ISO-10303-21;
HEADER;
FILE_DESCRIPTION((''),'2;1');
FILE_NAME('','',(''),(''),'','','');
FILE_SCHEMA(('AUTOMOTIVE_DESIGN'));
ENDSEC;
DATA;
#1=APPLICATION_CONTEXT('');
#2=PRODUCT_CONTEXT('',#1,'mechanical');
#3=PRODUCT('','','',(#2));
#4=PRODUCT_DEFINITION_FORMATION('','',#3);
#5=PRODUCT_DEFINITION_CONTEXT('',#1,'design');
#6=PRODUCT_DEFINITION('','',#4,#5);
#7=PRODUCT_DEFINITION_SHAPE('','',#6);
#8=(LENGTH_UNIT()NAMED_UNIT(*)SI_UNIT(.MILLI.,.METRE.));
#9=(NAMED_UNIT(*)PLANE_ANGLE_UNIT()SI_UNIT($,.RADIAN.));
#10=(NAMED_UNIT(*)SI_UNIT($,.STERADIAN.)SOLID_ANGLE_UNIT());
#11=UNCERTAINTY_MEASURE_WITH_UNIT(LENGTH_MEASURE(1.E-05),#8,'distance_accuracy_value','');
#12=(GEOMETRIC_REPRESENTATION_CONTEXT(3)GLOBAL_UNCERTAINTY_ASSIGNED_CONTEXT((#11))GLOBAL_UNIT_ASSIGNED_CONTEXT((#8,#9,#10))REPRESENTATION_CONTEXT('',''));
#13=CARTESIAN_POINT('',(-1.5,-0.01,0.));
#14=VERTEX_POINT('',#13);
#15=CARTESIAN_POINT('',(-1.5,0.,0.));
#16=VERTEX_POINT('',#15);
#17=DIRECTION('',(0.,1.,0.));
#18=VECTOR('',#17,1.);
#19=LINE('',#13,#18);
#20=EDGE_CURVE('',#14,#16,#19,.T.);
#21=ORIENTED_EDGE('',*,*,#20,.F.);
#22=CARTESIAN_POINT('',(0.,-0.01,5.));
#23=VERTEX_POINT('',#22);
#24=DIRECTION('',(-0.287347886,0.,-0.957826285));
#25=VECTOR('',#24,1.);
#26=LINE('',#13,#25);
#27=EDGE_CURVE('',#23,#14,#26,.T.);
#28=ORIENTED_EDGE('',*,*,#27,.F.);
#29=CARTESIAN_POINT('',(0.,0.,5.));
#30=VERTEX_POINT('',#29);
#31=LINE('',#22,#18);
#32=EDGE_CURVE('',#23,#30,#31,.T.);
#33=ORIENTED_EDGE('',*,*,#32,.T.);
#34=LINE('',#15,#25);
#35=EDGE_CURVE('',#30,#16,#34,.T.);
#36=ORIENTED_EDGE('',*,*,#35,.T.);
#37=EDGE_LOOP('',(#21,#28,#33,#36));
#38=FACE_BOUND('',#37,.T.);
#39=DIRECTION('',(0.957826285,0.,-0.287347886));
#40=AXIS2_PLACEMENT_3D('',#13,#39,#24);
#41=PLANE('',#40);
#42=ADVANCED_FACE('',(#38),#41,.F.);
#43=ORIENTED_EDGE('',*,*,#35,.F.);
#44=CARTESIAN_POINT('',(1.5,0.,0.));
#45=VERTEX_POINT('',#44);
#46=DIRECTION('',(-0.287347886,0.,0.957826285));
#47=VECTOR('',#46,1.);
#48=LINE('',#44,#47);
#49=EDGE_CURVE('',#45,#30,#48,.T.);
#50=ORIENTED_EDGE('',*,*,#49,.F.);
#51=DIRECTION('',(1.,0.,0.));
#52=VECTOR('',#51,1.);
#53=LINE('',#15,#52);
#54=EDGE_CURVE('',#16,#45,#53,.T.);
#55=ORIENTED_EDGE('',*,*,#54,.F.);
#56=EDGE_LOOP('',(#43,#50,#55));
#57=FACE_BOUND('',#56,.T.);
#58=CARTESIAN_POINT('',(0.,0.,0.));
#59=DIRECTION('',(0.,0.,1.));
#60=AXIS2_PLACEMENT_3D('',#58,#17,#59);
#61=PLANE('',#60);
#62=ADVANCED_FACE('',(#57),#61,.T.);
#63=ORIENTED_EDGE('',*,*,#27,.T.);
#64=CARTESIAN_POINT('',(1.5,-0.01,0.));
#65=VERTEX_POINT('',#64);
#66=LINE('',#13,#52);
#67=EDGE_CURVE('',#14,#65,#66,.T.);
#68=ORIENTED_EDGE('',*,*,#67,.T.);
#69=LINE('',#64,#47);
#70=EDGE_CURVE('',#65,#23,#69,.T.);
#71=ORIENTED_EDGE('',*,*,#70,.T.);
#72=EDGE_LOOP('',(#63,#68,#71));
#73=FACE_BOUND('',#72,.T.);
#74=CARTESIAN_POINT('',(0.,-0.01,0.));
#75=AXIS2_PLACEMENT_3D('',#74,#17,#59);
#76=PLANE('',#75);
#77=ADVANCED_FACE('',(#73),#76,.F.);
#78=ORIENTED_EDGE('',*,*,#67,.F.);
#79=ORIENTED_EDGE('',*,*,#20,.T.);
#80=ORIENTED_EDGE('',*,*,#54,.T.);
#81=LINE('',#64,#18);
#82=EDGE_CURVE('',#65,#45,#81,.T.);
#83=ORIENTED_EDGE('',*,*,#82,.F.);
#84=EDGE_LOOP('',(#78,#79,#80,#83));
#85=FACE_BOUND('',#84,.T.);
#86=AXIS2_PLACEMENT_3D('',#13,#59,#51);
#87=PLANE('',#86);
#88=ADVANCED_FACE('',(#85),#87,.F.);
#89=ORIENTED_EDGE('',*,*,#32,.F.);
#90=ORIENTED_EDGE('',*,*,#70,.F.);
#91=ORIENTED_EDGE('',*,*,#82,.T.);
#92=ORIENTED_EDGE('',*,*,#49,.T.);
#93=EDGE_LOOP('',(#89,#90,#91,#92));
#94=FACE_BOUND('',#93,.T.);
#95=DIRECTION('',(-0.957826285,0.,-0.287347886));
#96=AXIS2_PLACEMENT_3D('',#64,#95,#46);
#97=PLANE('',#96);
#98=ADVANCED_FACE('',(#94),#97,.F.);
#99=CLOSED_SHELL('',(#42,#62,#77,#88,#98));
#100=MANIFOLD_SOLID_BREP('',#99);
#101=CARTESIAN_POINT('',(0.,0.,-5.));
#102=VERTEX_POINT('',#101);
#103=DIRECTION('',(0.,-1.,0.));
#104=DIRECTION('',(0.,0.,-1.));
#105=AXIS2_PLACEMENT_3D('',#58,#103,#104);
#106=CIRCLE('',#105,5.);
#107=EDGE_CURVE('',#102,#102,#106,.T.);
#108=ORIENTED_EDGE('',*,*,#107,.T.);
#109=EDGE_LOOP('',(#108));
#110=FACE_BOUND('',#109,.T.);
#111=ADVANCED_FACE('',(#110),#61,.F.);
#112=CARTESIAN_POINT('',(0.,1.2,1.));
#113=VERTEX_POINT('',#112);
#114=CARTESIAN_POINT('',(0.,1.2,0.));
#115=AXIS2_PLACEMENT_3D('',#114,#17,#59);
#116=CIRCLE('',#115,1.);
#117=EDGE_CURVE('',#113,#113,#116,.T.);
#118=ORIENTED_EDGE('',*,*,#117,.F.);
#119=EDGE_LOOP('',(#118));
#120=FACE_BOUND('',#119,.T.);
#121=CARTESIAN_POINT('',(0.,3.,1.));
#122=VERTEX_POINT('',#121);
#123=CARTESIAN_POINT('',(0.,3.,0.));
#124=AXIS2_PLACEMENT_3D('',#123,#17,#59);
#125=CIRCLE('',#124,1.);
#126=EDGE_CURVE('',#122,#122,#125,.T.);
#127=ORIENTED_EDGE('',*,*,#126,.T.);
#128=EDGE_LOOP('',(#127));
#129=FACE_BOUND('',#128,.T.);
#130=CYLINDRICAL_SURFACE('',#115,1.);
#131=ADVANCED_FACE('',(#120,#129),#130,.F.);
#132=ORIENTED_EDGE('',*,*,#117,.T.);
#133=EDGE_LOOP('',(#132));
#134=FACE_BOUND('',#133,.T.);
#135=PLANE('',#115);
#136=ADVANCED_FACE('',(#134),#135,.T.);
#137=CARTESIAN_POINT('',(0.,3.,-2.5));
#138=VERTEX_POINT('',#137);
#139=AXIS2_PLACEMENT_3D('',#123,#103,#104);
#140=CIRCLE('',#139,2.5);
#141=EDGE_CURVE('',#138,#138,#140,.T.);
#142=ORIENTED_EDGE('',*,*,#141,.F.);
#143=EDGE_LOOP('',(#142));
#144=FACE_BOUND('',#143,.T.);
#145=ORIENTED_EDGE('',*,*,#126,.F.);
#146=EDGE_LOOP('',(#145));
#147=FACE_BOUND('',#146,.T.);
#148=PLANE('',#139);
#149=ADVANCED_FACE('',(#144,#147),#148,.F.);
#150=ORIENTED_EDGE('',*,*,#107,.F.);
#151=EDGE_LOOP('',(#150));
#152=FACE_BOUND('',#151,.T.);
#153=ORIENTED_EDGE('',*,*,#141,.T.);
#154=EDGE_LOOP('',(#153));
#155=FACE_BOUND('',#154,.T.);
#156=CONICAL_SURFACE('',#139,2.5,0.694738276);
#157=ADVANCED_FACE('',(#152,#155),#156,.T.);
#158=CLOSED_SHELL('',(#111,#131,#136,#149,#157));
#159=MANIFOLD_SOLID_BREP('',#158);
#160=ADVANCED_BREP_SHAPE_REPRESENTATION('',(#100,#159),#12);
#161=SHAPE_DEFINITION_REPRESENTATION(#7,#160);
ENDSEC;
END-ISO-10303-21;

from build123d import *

# Parameters (mm, degrees)
SKETCH_2_R          = 1
CUT_EXTRUDE_1_DEPTH = 1.8
EXTRUDE_1_DEPTH     = 0.01


with BuildPart() as part:
    # 草图1 → 旋转1 (revolve)
    with BuildSketch(Plane.XY, mode=Mode.PRIVATE) as revolve_1_sk:
        Polygon((0, 0), (0, 3), (-2.5, 3), (-5, 0), align=None)
    revolve(revolve_1_sk.sketch.rotate(Axis((0, 0, 0), (0, 1, 0)), 270), axis=Axis((0, 0, 0), (0, 1, 0)))

    # 草图2 → 切除-拉伸1 (cut)
    with BuildSketch(Plane(origin=(0, 3, 0), x_dir=(1, 0, 0), z_dir=(0, 1, 0))):
        with Locations(Location((0, 0, 0), (0, 0, 270))):
            Circle(SKETCH_2_R)
    extrude(amount=-CUT_EXTRUDE_1_DEPTH, mode=Mode.SUBTRACT)


with BuildPart() as body_2:
    # 草图3 → 凸台-拉伸1 (new body)
    with BuildSketch(Plane.XZ):
        Polygon((-1.5, 0), (1.5, 0), (0, 5), align=None)
    extrude(amount=EXTRUDE_1_DEPTH)


solid = Compound([part.part, body_2.part])
